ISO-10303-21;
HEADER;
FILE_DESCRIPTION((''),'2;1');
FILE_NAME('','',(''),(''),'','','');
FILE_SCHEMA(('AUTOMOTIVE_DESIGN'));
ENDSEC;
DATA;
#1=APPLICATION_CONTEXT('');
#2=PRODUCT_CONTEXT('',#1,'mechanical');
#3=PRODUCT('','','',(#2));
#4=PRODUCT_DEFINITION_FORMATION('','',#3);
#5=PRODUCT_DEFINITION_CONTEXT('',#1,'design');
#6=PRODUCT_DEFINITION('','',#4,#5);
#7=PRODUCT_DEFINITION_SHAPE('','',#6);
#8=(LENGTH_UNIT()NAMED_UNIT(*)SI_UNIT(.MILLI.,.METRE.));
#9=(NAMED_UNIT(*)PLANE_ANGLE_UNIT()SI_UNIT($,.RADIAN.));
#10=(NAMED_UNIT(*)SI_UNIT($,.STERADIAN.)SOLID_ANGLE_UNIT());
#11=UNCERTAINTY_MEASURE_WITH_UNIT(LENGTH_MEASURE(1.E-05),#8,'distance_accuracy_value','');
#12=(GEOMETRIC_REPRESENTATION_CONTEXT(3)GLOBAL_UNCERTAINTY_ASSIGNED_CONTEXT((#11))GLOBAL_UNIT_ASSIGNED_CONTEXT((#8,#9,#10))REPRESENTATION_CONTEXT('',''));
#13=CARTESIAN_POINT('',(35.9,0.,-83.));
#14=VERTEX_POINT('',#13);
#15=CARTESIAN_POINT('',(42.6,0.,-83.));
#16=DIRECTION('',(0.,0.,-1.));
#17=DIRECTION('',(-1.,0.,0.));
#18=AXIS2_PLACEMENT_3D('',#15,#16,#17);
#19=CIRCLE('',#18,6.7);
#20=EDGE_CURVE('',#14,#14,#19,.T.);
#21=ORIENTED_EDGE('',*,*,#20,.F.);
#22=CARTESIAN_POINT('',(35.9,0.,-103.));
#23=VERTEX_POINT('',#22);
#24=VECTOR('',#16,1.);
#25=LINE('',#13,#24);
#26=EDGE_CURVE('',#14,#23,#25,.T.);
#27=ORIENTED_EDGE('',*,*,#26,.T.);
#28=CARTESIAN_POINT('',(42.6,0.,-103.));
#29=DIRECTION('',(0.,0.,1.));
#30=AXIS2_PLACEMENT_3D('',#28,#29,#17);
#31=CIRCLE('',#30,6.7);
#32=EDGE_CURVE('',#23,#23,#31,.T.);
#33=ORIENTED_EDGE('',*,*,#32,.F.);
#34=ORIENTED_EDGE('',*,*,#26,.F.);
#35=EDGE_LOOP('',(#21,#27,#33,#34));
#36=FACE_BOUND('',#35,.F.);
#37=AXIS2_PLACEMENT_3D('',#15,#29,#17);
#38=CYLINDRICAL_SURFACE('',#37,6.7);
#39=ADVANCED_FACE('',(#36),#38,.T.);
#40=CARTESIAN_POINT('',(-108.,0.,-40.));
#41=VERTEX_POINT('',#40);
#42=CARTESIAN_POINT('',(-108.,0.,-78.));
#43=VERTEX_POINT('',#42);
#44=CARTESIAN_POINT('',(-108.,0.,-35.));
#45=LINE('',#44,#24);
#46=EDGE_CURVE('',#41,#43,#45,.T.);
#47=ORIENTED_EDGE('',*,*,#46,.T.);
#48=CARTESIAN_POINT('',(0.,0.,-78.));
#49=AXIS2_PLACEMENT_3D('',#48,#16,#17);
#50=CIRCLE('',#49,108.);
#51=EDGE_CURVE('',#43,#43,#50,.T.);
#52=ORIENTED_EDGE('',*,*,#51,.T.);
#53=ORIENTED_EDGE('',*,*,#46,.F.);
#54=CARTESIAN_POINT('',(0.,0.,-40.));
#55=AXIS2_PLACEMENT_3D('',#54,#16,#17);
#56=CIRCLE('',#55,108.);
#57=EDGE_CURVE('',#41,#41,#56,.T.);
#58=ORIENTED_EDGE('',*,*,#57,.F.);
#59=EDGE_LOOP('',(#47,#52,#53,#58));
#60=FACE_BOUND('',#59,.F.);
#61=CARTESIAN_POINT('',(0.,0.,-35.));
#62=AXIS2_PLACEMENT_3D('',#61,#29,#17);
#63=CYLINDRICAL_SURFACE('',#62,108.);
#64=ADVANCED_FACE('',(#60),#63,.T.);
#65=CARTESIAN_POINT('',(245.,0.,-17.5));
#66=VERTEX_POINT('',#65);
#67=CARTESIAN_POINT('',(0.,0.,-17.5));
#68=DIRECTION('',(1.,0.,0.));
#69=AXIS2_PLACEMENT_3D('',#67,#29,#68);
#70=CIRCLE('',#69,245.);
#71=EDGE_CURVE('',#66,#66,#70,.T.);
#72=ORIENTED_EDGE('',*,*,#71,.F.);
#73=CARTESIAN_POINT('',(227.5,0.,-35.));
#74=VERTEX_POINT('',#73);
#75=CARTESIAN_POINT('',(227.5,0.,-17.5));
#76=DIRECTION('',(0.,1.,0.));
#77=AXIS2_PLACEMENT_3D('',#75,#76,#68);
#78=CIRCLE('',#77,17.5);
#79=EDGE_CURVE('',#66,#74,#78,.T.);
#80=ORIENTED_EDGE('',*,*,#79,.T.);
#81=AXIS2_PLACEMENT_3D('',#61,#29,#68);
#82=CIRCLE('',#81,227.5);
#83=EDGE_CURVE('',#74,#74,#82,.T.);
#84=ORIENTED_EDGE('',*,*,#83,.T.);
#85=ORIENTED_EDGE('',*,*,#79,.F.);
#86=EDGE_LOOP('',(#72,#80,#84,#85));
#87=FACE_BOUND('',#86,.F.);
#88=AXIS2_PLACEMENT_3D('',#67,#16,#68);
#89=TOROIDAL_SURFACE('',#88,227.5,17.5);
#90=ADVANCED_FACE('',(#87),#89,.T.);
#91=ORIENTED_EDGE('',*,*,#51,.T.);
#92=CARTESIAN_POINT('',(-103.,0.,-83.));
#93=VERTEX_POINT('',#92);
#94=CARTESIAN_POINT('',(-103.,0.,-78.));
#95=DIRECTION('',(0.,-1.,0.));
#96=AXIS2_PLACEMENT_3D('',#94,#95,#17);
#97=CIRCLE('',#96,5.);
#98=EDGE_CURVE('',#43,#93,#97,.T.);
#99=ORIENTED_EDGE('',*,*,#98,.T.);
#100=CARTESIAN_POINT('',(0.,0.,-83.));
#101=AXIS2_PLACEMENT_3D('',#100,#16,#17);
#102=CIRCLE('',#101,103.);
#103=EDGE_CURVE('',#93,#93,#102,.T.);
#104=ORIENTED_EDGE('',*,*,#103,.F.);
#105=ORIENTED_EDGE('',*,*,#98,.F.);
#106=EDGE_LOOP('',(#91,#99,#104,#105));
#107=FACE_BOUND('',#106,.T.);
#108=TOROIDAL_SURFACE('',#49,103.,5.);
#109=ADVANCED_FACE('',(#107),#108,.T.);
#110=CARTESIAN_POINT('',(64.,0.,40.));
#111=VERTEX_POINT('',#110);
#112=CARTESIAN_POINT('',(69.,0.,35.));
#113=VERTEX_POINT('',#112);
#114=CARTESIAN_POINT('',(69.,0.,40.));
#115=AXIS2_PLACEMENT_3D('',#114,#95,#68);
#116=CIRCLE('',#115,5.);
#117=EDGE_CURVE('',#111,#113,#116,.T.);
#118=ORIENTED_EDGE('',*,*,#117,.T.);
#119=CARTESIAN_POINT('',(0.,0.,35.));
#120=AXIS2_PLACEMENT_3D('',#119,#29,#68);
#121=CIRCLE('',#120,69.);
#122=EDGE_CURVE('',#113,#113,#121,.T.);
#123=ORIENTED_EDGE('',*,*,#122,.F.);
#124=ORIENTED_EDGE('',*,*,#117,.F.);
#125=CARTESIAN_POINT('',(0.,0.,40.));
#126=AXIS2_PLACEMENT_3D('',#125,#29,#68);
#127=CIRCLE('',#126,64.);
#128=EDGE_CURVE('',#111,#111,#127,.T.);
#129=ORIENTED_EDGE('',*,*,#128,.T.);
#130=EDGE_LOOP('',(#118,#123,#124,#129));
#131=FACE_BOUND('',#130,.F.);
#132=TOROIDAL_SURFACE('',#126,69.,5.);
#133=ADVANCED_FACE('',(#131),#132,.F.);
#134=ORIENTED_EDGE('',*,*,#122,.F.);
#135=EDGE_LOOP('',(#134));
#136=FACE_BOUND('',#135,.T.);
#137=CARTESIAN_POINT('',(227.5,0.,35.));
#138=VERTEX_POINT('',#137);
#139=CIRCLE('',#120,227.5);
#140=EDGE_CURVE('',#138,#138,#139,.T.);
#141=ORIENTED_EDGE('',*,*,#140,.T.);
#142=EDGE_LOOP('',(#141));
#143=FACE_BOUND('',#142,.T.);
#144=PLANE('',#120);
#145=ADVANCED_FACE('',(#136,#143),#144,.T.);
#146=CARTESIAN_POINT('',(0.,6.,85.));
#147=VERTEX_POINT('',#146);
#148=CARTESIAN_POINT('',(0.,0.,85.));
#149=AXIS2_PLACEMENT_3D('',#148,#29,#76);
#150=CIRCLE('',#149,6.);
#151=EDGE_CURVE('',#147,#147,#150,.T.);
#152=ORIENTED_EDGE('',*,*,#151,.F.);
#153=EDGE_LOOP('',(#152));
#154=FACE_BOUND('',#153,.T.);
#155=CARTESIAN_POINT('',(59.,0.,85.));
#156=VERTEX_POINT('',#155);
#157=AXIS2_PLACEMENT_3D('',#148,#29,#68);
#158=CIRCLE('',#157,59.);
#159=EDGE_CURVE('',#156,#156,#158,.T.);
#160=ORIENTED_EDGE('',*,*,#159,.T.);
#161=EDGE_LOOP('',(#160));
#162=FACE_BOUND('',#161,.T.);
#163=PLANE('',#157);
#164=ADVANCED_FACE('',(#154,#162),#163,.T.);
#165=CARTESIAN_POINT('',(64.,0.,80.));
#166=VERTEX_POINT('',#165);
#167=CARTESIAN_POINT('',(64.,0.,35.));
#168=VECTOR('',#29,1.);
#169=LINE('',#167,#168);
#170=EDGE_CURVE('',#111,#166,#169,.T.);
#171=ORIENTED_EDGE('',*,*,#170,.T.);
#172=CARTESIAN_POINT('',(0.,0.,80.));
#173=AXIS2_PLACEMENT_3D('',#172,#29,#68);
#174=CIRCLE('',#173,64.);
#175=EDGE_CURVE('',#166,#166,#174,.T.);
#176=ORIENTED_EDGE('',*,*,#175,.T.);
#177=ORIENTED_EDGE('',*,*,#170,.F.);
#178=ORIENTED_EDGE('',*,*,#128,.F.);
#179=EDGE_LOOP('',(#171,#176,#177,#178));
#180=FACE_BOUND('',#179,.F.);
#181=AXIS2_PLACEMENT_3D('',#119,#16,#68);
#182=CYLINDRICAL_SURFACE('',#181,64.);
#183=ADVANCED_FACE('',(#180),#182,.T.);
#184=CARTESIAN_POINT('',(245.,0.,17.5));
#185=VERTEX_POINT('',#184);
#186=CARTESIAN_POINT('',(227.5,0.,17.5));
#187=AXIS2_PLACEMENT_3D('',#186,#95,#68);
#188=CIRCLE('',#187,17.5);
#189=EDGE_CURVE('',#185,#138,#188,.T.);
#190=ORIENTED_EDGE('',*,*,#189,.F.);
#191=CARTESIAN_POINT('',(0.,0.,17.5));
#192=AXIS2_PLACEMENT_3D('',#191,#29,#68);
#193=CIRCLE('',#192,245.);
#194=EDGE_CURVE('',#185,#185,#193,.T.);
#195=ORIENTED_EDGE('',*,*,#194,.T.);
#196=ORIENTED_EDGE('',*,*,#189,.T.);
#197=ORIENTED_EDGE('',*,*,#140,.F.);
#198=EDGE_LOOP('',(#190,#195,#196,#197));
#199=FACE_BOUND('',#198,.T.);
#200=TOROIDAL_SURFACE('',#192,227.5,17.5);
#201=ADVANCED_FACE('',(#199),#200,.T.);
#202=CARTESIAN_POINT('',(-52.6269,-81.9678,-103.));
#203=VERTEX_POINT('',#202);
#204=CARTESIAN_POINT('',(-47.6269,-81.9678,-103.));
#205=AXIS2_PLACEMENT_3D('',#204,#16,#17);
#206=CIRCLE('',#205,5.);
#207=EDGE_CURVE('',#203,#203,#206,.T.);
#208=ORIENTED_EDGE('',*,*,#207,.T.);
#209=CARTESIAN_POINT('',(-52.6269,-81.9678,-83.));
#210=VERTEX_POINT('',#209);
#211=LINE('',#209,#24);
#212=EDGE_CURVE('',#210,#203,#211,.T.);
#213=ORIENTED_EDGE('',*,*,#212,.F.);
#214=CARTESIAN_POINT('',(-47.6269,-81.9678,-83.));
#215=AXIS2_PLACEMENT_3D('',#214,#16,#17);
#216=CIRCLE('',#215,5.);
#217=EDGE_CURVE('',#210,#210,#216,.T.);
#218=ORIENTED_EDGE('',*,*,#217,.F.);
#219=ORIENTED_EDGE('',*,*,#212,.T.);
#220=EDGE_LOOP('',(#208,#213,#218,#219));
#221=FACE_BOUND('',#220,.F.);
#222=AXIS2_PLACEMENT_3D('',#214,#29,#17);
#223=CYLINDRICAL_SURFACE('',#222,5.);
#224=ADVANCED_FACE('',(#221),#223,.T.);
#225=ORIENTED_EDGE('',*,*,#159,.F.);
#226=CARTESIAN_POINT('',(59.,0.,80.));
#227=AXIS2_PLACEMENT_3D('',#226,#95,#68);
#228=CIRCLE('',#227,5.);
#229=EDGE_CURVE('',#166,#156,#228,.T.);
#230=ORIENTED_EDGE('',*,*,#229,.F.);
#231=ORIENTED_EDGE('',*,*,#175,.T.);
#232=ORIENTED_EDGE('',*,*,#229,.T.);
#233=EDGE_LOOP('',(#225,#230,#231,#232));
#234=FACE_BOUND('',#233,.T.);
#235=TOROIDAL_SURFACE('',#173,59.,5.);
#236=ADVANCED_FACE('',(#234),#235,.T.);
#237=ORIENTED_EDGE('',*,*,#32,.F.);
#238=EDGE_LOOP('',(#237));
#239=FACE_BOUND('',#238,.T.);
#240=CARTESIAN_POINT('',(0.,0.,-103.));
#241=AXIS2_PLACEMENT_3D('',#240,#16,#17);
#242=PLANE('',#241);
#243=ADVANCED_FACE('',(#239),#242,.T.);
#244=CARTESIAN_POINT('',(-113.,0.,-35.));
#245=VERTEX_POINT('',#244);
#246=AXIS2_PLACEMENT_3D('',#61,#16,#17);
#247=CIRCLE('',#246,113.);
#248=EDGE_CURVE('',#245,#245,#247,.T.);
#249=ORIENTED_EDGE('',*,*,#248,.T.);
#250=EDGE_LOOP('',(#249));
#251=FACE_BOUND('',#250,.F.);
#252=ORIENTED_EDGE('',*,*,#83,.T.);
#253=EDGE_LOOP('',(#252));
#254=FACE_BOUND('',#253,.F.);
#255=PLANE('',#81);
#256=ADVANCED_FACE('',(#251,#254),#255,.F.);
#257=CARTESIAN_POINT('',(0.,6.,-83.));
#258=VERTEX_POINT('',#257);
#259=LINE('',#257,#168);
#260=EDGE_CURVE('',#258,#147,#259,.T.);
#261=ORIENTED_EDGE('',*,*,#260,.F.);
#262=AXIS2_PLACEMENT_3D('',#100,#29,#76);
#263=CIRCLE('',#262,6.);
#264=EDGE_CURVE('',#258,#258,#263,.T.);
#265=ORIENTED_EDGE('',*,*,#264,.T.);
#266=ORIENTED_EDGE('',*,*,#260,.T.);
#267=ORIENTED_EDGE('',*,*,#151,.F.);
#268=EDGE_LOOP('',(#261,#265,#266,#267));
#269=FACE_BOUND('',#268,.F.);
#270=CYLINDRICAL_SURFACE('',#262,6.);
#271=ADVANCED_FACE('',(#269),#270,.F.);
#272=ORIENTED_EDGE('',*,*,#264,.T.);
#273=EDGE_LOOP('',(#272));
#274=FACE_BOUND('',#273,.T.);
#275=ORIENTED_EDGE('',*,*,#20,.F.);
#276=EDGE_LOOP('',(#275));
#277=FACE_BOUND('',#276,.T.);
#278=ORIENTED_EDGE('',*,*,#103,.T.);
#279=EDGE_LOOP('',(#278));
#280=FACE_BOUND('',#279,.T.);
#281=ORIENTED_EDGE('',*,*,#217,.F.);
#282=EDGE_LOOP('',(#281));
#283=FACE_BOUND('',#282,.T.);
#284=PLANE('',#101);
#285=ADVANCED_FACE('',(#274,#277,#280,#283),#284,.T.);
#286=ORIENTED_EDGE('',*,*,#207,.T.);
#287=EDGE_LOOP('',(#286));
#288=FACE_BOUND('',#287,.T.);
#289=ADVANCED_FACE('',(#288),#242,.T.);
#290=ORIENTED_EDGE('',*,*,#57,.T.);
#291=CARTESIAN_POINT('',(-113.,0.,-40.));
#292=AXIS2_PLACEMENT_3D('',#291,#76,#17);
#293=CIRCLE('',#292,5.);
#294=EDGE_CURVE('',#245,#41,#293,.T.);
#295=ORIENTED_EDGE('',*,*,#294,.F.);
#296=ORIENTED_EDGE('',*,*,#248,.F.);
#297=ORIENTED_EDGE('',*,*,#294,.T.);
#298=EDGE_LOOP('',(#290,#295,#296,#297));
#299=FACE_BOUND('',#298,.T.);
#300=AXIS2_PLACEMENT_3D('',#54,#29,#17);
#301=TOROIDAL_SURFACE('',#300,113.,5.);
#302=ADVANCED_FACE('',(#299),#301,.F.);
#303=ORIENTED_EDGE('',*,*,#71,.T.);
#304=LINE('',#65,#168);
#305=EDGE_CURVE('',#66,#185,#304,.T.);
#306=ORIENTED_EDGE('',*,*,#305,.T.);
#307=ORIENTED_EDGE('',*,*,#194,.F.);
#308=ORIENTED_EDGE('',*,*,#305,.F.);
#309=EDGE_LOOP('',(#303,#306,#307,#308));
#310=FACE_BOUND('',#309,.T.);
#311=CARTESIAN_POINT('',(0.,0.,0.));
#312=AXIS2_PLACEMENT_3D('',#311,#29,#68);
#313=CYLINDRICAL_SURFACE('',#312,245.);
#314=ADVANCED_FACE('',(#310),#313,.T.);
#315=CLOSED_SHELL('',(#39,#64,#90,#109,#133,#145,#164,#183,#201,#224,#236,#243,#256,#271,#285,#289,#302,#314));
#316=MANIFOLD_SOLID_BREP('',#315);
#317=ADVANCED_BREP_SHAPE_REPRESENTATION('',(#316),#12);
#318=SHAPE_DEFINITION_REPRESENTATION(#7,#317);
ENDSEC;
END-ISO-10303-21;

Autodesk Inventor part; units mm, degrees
ref_plane "YZ Plane" through (0, 0, 0) normal (1, 0, 0) x (0, 1, 0)
ref_plane "XY Plane" through (0, 0, 0) normal (0, 0, 1) x (1, 0, 0)
sketch "スケッチ1" plane through (0, 0, 0) normal (0, 0, 1) x (1, 0, 0)
  circle A0 centre (0, 0) radius 245
  dimension "d0" = 490
extrude "押し出し1" add sketch "スケッチ1" along normal mid plane 70
fillet "フィレット1" radius 17.5 2 edges at (-245, 0, 35) (-245, 0, -35)
sketch "スケッチ8" plane through (0, 0, 35) normal (0, 0, 1) x (1, 0, 0)
  circle A0 centre (0, 0) radius 64
  dimension "d11" = 128
extrude "押し出し2" add sketch "スケッチ8" along normal blind 50
sketch "スケッチ9" plane through (0, 0, -35) normal (0, 0, -1) x (-1, 0, 0)
  circle A0 centre (0, 0) radius 108
  dimension "d14" = 216
extrude "押し出し3" add sketch "スケッチ9" along normal blind 48
fillet "フィレット2" radius 5 1 edges at (-64, 0, 85)
fillet "フィレット3" radius 5 1 edges at (-64, 0, 35)
fillet "フィレット4" radius 5 2 edges at (108, 0, -83) (108, 0, -35)
sketch "スケッチ10" plane through (0, 0, -83) normal (0, 0, -1) x (-1, 0, 0)
  point P0 (0, 0)
  point P1 (0, 0)
hole "穴2" at (0, 0, -83) direction (0, 0, 1) diameter 12 end through all
sketch "スケッチ12" plane through (0, 0, 85) normal (0, 0, 1) x (1, 0, 0)
  line L0 (-51.2549, 22.4229) -> (29.3453, 22.4229) construction
  line L1 (29.3453, 22.4229) -> (29.3453, -28.267) construction
  line L2 (29.3453, -28.267) -> (-51.2549, -28.267) construction
  line L3 (-51.2549, -28.267) -> (-51.2549, 22.4229) construction
  point P0 (0, 0)
sketch "スケッチ13" plane through (0, 0, -83) normal (0, 0, -1) x (-1, 0, 0)
  line L0 (-79.0903, 45.7594) -> (75.7007, 45.7594) construction
  line L1 (75.7007, 45.7594) -> (75.7007, -24.292) construction
  line L2 (75.7007, -24.292) -> (-79.0903, -24.292) construction
  line L3 (-79.0903, -24.292) -> (-79.0903, 45.7594) construction
  point P0 (0, 0)
sketch "スケッチ14" plane through (0, 0, -35) normal (0, 0, -1) x (-1, 0, 0)
  line L0 (-67.9, 178.6198) -> (94.9078, 178.6198) construction
  line L1 (94.9078, 178.6198) -> (94.9078, 134.9225) construction
  line L2 (94.9078, 134.9225) -> (-67.9, 134.9225) construction
  line L3 (-67.9, 134.9225) -> (-67.9, 178.6198) construction
  point P0 (0, 0)
sketch "スケッチ15" plane through (0, 0, -83) normal (0, 0, -1) x (-1, 0, 0)
  circle A0 centre (0, 0) radius 42.6 construction
  circle A1 centre (-42.6, 0) radius 6.7
  circle A2 centre (-42.6, 0) radius 121.9 construction
  circle A3 centre (0, 0) radius 94.8 construction
  circle A4 centre (47.6269, -81.9678) radius 5
  line L0 (-343, 0) -> (343, 0) projected
  dimension "d27" = 85.2
  dimension "d29" = 243.8
  dimension "d30" = 189.6
  dimension "d28" = 13.4
  dimension "d31" = 10
extrude "押し出し4" add sketch "スケッチ15" along normal blind 20 contours L0 A1 | A1 L0
extrude "押し出し5" add sketch "スケッチ15" along normal blind 20 contours A4
properties part number "前輪"
